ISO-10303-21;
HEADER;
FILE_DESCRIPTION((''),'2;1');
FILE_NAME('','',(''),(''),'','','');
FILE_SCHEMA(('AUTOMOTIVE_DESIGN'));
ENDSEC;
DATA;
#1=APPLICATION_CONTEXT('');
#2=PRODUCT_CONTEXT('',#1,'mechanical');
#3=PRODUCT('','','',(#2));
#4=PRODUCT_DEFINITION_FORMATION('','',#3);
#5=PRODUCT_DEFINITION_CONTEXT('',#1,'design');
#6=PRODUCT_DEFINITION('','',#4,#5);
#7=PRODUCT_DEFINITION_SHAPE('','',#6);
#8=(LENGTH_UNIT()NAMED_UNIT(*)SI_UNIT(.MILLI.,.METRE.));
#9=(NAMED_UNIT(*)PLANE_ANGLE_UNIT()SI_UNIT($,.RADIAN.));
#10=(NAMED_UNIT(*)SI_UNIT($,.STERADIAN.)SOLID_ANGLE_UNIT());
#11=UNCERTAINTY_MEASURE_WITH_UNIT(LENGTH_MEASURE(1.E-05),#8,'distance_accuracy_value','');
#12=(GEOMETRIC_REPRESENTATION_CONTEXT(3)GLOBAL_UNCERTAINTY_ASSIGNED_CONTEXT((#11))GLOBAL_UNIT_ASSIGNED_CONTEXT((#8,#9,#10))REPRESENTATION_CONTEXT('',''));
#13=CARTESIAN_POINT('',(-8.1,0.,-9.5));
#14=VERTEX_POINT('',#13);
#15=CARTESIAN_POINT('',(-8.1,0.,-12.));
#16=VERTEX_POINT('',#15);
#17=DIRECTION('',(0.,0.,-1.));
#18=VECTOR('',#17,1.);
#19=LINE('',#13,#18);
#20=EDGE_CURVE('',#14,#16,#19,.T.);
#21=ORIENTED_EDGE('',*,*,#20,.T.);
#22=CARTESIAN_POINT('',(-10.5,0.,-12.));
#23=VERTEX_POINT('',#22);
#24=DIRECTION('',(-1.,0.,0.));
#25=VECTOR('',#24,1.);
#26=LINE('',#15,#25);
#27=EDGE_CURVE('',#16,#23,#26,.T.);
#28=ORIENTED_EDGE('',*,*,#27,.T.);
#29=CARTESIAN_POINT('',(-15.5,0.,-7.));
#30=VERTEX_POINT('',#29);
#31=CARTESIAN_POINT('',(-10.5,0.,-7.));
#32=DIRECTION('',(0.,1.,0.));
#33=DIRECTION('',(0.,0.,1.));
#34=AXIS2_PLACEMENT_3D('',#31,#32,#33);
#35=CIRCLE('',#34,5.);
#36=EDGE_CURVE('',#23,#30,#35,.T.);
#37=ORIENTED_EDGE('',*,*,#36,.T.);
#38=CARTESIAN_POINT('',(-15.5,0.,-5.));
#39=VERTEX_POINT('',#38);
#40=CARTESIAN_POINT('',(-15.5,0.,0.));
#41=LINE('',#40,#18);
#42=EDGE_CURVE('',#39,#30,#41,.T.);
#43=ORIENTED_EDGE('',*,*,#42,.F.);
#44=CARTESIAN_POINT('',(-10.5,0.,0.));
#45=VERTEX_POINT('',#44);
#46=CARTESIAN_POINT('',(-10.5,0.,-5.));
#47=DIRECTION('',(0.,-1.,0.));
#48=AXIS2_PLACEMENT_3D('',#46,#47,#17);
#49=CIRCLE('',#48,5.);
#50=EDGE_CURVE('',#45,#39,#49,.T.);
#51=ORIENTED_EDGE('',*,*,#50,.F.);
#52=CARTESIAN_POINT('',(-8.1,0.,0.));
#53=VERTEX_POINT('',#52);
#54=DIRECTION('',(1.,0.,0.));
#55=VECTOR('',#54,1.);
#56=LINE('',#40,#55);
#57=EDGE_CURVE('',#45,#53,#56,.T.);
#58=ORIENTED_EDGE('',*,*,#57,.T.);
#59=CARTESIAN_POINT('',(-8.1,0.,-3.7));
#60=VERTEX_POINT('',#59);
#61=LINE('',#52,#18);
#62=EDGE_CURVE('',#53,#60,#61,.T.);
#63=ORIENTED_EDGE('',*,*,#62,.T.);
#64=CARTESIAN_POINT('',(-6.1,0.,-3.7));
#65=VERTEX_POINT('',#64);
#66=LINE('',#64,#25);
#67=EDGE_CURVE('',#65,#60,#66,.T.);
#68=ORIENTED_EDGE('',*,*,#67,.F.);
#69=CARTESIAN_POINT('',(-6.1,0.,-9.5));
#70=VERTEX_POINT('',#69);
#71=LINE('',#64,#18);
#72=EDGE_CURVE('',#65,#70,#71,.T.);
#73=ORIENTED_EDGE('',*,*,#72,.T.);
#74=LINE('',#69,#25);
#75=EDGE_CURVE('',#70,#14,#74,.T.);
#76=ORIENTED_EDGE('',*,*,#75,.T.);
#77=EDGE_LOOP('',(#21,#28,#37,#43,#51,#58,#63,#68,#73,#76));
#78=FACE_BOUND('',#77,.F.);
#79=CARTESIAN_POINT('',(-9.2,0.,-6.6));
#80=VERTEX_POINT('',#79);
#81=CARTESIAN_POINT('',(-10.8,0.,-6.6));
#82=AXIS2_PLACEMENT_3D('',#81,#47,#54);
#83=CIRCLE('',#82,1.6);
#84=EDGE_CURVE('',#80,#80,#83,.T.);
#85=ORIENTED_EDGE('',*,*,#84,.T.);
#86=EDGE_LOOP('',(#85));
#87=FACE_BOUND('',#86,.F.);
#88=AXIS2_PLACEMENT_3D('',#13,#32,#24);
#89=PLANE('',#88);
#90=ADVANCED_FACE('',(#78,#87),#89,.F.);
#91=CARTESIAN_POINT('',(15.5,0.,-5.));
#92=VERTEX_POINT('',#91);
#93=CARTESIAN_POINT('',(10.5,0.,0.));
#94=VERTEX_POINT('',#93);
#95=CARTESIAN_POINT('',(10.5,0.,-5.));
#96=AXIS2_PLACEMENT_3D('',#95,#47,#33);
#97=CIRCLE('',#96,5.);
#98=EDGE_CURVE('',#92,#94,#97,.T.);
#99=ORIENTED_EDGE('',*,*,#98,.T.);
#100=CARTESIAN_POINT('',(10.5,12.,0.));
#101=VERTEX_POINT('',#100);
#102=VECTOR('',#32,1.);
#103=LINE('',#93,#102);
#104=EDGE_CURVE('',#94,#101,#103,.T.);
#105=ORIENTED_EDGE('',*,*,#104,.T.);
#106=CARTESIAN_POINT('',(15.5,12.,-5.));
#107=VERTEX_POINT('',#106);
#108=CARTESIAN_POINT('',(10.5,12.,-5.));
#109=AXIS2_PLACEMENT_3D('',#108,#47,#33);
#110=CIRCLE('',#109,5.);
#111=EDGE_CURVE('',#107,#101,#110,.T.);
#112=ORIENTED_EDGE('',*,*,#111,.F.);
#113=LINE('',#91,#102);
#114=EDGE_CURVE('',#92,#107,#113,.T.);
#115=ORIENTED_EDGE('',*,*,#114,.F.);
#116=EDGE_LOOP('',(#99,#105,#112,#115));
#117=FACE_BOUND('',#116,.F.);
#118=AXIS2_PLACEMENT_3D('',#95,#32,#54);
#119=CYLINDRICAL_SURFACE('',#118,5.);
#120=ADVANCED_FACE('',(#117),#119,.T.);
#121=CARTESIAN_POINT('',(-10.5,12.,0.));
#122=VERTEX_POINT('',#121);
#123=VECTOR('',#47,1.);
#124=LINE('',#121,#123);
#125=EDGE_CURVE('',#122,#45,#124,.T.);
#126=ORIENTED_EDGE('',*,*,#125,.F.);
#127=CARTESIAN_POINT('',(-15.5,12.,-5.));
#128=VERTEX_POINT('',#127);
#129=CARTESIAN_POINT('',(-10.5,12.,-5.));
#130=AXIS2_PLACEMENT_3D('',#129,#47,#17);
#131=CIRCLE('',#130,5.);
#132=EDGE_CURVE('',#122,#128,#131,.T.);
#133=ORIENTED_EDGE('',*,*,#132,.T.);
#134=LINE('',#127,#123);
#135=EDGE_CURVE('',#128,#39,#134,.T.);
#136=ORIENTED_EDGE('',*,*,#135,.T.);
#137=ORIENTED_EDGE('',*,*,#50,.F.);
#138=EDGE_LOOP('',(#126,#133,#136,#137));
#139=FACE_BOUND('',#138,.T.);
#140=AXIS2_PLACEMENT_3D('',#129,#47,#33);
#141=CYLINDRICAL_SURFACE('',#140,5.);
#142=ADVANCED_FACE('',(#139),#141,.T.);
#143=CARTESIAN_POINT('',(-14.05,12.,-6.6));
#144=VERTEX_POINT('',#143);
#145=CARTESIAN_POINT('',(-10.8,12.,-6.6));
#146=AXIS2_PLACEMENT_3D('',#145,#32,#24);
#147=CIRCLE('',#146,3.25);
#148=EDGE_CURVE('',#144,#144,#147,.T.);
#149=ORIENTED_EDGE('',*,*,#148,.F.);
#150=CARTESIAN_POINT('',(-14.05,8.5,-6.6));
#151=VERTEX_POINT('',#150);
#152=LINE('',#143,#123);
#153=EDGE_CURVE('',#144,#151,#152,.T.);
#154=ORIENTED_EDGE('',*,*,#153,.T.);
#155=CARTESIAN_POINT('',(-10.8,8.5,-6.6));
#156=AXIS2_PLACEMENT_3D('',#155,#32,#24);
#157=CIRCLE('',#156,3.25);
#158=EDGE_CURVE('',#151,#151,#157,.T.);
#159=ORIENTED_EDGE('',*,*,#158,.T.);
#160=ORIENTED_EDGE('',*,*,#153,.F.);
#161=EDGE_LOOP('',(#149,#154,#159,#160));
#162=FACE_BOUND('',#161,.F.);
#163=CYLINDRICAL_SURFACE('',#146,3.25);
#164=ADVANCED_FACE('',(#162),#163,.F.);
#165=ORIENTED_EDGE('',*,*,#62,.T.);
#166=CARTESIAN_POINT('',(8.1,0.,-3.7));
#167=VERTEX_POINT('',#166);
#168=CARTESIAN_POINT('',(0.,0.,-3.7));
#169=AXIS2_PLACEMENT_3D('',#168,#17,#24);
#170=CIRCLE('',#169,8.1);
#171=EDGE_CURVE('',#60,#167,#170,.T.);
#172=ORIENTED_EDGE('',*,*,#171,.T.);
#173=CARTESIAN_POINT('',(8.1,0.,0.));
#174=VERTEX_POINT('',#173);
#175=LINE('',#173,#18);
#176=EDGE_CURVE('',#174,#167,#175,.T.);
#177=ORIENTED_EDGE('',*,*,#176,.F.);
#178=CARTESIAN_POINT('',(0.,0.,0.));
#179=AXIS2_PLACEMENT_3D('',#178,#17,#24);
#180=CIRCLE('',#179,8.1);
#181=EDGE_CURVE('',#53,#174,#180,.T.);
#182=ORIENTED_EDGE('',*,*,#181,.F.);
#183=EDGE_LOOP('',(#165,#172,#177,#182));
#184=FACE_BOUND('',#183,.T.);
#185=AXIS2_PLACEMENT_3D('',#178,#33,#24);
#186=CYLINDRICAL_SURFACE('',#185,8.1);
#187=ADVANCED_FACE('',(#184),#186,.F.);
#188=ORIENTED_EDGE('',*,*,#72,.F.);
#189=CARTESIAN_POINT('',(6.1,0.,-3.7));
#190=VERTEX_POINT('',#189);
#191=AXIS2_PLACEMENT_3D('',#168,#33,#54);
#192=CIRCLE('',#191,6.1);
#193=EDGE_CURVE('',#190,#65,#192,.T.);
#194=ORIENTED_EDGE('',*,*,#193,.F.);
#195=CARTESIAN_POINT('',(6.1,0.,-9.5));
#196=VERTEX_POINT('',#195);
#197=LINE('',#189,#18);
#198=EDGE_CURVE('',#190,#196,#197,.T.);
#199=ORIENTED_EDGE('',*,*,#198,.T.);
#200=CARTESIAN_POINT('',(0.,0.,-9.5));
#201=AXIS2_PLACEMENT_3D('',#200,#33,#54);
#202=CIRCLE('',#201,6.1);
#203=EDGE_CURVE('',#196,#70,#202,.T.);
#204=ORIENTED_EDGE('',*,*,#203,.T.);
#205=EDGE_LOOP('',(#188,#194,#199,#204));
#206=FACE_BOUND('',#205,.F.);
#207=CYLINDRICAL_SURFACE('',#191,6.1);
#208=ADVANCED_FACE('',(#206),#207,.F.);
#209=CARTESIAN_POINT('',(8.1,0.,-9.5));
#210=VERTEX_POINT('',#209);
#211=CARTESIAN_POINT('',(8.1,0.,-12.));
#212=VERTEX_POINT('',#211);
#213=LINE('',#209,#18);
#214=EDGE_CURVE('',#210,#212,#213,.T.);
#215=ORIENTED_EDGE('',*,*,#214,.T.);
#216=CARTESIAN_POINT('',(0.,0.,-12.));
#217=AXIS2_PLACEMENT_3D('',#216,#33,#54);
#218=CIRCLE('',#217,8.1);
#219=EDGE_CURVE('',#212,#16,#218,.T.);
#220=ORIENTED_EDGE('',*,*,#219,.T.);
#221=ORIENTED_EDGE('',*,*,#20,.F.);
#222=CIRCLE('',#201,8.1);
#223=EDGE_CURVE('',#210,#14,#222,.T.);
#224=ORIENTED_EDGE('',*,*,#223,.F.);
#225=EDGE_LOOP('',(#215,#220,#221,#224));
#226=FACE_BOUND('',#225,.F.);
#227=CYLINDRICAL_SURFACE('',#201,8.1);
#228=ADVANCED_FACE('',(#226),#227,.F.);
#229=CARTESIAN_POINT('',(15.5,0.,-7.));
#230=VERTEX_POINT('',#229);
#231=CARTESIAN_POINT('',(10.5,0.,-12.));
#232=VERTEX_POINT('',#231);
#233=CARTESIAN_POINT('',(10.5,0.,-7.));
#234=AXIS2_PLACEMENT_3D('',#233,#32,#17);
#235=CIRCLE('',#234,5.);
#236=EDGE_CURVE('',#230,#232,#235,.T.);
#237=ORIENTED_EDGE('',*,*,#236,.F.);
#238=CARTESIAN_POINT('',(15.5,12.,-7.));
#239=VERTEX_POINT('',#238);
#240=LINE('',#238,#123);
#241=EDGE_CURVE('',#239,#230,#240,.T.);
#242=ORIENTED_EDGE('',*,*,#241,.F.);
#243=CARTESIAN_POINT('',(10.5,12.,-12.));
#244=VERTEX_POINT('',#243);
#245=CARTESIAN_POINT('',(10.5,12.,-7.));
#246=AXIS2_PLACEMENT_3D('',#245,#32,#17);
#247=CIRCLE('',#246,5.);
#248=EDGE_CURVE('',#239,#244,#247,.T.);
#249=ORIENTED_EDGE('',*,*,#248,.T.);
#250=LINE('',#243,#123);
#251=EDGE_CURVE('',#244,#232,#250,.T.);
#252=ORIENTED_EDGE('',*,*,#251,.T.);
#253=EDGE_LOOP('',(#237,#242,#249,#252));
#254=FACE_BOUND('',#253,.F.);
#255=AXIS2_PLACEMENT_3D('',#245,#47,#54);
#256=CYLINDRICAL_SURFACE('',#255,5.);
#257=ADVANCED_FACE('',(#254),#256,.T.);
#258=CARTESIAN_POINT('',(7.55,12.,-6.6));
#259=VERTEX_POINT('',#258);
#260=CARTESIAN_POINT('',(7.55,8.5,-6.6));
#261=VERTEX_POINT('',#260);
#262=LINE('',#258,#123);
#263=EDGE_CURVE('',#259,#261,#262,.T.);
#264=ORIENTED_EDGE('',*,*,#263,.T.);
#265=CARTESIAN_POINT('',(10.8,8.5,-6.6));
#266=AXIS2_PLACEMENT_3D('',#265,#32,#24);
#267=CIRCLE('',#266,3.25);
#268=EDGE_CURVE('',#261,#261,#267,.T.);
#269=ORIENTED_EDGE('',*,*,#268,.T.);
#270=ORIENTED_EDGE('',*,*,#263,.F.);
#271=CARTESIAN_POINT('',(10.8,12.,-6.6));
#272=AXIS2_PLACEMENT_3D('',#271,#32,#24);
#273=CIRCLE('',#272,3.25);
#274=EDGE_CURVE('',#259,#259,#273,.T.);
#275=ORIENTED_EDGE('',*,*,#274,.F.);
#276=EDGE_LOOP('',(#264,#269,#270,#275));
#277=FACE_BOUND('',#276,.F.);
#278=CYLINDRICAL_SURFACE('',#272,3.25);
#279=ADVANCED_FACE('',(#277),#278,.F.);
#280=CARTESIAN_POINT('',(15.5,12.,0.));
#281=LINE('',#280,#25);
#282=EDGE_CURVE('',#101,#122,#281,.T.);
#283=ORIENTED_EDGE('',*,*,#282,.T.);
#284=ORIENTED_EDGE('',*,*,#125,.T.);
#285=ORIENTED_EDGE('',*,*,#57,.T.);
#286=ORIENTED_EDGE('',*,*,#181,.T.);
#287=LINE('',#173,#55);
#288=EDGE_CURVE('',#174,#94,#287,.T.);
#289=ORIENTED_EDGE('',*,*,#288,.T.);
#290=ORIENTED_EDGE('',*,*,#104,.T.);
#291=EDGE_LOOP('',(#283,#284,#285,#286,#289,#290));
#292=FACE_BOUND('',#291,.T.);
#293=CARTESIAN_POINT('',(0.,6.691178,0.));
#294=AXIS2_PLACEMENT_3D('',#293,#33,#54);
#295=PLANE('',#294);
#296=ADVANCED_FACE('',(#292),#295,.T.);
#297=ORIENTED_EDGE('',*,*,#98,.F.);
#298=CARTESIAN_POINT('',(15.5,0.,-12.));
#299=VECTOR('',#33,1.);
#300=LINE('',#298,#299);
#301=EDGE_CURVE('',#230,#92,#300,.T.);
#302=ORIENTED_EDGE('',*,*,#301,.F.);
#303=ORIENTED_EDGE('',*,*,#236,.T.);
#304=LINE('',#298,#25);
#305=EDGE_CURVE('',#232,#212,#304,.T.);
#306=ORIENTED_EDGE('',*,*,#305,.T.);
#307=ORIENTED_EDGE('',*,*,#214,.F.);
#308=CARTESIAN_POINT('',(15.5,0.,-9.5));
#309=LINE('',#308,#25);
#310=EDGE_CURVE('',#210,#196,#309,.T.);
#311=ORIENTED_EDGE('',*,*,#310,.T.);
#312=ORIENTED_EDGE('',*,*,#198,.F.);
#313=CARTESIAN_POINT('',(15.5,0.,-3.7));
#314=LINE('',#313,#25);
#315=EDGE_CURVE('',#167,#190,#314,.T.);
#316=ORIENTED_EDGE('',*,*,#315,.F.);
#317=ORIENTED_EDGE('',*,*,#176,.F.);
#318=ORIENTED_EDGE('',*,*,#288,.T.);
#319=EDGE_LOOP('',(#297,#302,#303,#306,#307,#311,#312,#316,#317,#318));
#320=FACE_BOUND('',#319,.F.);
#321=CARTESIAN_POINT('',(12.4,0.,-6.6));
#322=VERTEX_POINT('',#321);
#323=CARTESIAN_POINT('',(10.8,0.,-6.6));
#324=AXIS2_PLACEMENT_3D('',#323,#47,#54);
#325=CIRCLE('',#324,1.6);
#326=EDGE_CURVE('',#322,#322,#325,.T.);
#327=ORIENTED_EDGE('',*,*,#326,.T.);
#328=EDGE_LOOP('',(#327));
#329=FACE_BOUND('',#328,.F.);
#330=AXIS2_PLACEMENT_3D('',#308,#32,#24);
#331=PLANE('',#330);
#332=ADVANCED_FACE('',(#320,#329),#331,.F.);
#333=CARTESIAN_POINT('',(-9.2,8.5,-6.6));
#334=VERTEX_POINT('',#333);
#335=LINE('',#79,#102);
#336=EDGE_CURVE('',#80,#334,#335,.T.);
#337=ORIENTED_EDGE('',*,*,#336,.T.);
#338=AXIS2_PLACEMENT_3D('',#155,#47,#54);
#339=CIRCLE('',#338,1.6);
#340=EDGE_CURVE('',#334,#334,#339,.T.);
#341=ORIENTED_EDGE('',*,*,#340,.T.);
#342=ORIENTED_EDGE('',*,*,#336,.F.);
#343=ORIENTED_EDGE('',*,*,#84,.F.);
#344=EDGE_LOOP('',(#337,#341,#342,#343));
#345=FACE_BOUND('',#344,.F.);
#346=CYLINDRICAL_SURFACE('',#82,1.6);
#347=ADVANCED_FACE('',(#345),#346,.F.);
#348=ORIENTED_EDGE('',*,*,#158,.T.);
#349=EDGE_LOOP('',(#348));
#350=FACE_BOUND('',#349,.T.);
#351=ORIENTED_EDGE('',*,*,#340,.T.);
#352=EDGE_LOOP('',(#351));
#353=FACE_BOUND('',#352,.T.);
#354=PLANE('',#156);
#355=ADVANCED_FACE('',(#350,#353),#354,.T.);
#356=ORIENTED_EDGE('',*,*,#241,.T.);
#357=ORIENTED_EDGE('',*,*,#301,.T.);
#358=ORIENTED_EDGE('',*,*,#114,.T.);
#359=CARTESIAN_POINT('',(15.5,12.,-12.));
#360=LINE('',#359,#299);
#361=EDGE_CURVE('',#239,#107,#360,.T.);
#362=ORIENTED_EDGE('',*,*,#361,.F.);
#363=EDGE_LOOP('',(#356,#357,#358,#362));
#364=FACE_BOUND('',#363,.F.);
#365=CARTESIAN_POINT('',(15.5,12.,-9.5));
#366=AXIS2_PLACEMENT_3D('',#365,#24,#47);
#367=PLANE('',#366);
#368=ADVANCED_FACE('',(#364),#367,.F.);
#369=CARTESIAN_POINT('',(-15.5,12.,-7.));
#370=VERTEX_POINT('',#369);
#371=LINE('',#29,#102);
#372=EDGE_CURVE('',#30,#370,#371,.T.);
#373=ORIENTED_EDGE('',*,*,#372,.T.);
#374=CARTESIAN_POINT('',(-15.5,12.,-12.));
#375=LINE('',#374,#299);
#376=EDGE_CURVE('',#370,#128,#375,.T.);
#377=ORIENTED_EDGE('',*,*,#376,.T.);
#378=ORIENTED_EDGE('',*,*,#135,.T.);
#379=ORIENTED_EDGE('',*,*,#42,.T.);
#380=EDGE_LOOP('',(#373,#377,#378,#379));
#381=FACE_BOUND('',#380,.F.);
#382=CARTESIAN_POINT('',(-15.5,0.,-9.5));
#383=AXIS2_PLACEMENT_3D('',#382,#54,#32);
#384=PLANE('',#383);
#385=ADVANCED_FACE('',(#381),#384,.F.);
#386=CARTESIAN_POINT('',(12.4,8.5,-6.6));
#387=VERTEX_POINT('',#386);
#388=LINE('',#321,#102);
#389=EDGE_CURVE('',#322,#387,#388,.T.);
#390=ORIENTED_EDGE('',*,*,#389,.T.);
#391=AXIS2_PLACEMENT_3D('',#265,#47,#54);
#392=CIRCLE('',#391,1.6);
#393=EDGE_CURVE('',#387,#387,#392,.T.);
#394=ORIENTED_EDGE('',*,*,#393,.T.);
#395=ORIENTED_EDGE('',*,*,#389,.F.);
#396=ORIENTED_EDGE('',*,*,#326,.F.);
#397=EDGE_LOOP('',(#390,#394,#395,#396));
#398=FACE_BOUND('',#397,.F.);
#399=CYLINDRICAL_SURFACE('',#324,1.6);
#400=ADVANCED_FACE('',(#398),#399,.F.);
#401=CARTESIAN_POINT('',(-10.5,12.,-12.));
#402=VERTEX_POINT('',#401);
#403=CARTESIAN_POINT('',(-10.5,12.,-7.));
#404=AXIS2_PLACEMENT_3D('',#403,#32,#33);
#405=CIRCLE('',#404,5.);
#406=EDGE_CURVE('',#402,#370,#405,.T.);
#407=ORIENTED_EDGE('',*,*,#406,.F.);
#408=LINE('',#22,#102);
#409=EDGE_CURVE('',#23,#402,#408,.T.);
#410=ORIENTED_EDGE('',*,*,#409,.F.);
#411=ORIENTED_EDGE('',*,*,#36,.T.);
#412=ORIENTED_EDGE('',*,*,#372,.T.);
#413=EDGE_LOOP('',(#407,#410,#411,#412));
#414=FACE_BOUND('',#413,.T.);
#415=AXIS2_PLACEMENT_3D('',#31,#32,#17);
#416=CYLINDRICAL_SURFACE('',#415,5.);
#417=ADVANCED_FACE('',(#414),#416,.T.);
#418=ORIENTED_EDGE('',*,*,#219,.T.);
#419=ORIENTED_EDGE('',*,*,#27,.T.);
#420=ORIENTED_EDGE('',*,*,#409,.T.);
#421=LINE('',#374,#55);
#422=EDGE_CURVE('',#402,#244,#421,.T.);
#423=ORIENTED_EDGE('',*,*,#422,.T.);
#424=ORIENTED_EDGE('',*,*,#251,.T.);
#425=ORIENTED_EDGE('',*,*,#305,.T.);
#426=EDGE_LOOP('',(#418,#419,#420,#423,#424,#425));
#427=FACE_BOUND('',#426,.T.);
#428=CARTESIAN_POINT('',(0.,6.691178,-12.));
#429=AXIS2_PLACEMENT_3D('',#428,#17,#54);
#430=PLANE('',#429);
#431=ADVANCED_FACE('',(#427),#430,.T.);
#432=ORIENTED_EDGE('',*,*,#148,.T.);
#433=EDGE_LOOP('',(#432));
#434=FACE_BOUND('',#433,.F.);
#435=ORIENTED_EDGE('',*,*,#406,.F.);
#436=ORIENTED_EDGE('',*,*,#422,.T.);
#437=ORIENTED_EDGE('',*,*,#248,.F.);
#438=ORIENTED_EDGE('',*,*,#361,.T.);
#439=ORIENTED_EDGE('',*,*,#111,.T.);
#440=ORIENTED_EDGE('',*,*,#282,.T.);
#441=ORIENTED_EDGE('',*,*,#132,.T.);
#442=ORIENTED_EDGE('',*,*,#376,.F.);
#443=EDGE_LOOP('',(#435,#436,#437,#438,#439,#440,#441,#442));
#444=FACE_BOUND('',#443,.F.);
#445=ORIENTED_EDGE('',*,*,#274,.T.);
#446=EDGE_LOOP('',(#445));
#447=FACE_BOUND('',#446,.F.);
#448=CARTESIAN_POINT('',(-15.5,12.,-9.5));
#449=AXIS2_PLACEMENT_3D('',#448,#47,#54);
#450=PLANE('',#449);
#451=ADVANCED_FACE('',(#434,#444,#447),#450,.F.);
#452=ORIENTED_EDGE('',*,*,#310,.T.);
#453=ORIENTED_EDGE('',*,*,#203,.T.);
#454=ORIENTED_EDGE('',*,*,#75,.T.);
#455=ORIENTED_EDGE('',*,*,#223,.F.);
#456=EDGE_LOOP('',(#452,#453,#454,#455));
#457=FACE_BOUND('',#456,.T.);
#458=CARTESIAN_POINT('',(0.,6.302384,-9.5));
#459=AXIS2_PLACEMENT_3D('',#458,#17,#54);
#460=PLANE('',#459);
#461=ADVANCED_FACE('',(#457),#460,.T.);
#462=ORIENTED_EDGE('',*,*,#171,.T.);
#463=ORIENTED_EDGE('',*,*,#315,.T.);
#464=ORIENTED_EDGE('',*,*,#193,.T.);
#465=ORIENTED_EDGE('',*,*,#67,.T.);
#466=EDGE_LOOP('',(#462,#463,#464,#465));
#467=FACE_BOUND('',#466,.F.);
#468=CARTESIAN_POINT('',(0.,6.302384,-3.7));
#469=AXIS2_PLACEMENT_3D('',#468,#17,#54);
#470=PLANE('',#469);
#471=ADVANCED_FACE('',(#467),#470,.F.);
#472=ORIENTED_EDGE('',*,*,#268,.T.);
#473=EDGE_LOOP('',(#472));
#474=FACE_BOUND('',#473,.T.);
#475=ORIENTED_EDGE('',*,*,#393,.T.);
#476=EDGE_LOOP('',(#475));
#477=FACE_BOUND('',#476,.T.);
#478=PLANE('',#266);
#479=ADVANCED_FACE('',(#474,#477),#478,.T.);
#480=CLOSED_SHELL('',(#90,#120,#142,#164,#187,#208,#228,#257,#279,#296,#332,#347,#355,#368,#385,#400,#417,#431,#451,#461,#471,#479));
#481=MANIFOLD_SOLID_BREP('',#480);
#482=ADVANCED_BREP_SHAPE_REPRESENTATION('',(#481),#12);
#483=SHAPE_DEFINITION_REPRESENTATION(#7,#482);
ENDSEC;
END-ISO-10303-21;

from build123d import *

# Parameters (mm, degrees)
F1_DEPTH = 3.7
F3_DEPTH = 5.8
F5_DEPTH = 2.5
F6_R     = 1.6
F7_DEPTH = 12.001
F8_R     = 3.25
F9_DEPTH = 3.5
F10_R    = 5


with BuildPart() as f1:
    # F0 (on Top) → F1 (new body)
    with BuildSketch(Plane.XY):
        with BuildLine():
            Line((15.5, 12), (-15.5, 12))
            Line((-15.5, 12), (-15.5, 0))
            Line((-15.5, 0), (-8.1, 0))
            ThreePointArc((-8.1, 0), (0, 8.1), (8.1, 0))
            Line((8.1, 0), (15.5, 0))
            Line((15.5, 0), (15.5, 12))
        make_face()
    extrude(amount=-F1_DEPTH)

    # F2 (on face) → F3 (join)
    with BuildSketch(Plane(origin=(0, 0, -3.7), x_dir=(1, 0, 0), z_dir=(0, 0, -1))):
        with BuildLine():
            Line((0, -12), (15.5, -12))
            Line((15.5, -12), (15.5, 0))
            Line((15.5, 0), (6.1, 0))
            ThreePointArc((6.1, 0), (0, -6.1), (-6.1, 0))
            Line((-6.1, 0), (-8.1, 0))
            Line((-8.1, 0), (-15.5, 0))
            Line((-15.5, 0), (-15.5, -12))
            Line((-15.5, -12), (0, -12))
        make_face()
    extrude(amount=F3_DEPTH)

    # F4 (on face) → F5 (join)
    with BuildSketch(Plane(origin=(0, 0, -9.5), x_dir=(1, 0, 0), z_dir=(0, 0, -1))):
        with BuildLine():
            Line((15.5, 0), (8.1, 0))
            ThreePointArc((8.1, 0), (0, -8.1), (-8.1, 0))
            Line((-8.1, 0), (-15.5, 0))
            Line((-15.5, 0), (-15.5, -12))
            Line((-15.5, -12), (15.5, -12))
            Line((15.5, -12), (15.5, 0))
        make_face()
    extrude(amount=F5_DEPTH)

    # F6 (on face) → F7 (cut, through all)
    with BuildSketch(Plane.XZ):
        with Locations((-10.8, -6.6)):
            Circle(F6_R)
        with Locations((10.8, -6.6)):
            Circle(F6_R)
    extrude(amount=-F7_DEPTH, mode=Mode.SUBTRACT)

    # F8 (on face) → F9 (cut)
    with BuildSketch(Plane(origin=(0, 12, 0), x_dir=(-1, 0, 0), z_dir=(0, 1, 0))):
        with Locations((-10.8, -6.6)):
            Circle(F8_R)
        with Locations((10.8, -6.6)):
            Circle(F8_R)
    extrude(amount=-F9_DEPTH, mode=Mode.SUBTRACT)

    # F10
    f10_edges = [f1.edges().sort_by_distance(p)[0] for p in [
        (15.5, 6, 0),
        (15.5, 6, -12),
        (-15.5, 6, 0),
        (-15.5, 6, -12),
    ]]
    fillet(f10_edges, radius=F10_R)


solid = f1.part
